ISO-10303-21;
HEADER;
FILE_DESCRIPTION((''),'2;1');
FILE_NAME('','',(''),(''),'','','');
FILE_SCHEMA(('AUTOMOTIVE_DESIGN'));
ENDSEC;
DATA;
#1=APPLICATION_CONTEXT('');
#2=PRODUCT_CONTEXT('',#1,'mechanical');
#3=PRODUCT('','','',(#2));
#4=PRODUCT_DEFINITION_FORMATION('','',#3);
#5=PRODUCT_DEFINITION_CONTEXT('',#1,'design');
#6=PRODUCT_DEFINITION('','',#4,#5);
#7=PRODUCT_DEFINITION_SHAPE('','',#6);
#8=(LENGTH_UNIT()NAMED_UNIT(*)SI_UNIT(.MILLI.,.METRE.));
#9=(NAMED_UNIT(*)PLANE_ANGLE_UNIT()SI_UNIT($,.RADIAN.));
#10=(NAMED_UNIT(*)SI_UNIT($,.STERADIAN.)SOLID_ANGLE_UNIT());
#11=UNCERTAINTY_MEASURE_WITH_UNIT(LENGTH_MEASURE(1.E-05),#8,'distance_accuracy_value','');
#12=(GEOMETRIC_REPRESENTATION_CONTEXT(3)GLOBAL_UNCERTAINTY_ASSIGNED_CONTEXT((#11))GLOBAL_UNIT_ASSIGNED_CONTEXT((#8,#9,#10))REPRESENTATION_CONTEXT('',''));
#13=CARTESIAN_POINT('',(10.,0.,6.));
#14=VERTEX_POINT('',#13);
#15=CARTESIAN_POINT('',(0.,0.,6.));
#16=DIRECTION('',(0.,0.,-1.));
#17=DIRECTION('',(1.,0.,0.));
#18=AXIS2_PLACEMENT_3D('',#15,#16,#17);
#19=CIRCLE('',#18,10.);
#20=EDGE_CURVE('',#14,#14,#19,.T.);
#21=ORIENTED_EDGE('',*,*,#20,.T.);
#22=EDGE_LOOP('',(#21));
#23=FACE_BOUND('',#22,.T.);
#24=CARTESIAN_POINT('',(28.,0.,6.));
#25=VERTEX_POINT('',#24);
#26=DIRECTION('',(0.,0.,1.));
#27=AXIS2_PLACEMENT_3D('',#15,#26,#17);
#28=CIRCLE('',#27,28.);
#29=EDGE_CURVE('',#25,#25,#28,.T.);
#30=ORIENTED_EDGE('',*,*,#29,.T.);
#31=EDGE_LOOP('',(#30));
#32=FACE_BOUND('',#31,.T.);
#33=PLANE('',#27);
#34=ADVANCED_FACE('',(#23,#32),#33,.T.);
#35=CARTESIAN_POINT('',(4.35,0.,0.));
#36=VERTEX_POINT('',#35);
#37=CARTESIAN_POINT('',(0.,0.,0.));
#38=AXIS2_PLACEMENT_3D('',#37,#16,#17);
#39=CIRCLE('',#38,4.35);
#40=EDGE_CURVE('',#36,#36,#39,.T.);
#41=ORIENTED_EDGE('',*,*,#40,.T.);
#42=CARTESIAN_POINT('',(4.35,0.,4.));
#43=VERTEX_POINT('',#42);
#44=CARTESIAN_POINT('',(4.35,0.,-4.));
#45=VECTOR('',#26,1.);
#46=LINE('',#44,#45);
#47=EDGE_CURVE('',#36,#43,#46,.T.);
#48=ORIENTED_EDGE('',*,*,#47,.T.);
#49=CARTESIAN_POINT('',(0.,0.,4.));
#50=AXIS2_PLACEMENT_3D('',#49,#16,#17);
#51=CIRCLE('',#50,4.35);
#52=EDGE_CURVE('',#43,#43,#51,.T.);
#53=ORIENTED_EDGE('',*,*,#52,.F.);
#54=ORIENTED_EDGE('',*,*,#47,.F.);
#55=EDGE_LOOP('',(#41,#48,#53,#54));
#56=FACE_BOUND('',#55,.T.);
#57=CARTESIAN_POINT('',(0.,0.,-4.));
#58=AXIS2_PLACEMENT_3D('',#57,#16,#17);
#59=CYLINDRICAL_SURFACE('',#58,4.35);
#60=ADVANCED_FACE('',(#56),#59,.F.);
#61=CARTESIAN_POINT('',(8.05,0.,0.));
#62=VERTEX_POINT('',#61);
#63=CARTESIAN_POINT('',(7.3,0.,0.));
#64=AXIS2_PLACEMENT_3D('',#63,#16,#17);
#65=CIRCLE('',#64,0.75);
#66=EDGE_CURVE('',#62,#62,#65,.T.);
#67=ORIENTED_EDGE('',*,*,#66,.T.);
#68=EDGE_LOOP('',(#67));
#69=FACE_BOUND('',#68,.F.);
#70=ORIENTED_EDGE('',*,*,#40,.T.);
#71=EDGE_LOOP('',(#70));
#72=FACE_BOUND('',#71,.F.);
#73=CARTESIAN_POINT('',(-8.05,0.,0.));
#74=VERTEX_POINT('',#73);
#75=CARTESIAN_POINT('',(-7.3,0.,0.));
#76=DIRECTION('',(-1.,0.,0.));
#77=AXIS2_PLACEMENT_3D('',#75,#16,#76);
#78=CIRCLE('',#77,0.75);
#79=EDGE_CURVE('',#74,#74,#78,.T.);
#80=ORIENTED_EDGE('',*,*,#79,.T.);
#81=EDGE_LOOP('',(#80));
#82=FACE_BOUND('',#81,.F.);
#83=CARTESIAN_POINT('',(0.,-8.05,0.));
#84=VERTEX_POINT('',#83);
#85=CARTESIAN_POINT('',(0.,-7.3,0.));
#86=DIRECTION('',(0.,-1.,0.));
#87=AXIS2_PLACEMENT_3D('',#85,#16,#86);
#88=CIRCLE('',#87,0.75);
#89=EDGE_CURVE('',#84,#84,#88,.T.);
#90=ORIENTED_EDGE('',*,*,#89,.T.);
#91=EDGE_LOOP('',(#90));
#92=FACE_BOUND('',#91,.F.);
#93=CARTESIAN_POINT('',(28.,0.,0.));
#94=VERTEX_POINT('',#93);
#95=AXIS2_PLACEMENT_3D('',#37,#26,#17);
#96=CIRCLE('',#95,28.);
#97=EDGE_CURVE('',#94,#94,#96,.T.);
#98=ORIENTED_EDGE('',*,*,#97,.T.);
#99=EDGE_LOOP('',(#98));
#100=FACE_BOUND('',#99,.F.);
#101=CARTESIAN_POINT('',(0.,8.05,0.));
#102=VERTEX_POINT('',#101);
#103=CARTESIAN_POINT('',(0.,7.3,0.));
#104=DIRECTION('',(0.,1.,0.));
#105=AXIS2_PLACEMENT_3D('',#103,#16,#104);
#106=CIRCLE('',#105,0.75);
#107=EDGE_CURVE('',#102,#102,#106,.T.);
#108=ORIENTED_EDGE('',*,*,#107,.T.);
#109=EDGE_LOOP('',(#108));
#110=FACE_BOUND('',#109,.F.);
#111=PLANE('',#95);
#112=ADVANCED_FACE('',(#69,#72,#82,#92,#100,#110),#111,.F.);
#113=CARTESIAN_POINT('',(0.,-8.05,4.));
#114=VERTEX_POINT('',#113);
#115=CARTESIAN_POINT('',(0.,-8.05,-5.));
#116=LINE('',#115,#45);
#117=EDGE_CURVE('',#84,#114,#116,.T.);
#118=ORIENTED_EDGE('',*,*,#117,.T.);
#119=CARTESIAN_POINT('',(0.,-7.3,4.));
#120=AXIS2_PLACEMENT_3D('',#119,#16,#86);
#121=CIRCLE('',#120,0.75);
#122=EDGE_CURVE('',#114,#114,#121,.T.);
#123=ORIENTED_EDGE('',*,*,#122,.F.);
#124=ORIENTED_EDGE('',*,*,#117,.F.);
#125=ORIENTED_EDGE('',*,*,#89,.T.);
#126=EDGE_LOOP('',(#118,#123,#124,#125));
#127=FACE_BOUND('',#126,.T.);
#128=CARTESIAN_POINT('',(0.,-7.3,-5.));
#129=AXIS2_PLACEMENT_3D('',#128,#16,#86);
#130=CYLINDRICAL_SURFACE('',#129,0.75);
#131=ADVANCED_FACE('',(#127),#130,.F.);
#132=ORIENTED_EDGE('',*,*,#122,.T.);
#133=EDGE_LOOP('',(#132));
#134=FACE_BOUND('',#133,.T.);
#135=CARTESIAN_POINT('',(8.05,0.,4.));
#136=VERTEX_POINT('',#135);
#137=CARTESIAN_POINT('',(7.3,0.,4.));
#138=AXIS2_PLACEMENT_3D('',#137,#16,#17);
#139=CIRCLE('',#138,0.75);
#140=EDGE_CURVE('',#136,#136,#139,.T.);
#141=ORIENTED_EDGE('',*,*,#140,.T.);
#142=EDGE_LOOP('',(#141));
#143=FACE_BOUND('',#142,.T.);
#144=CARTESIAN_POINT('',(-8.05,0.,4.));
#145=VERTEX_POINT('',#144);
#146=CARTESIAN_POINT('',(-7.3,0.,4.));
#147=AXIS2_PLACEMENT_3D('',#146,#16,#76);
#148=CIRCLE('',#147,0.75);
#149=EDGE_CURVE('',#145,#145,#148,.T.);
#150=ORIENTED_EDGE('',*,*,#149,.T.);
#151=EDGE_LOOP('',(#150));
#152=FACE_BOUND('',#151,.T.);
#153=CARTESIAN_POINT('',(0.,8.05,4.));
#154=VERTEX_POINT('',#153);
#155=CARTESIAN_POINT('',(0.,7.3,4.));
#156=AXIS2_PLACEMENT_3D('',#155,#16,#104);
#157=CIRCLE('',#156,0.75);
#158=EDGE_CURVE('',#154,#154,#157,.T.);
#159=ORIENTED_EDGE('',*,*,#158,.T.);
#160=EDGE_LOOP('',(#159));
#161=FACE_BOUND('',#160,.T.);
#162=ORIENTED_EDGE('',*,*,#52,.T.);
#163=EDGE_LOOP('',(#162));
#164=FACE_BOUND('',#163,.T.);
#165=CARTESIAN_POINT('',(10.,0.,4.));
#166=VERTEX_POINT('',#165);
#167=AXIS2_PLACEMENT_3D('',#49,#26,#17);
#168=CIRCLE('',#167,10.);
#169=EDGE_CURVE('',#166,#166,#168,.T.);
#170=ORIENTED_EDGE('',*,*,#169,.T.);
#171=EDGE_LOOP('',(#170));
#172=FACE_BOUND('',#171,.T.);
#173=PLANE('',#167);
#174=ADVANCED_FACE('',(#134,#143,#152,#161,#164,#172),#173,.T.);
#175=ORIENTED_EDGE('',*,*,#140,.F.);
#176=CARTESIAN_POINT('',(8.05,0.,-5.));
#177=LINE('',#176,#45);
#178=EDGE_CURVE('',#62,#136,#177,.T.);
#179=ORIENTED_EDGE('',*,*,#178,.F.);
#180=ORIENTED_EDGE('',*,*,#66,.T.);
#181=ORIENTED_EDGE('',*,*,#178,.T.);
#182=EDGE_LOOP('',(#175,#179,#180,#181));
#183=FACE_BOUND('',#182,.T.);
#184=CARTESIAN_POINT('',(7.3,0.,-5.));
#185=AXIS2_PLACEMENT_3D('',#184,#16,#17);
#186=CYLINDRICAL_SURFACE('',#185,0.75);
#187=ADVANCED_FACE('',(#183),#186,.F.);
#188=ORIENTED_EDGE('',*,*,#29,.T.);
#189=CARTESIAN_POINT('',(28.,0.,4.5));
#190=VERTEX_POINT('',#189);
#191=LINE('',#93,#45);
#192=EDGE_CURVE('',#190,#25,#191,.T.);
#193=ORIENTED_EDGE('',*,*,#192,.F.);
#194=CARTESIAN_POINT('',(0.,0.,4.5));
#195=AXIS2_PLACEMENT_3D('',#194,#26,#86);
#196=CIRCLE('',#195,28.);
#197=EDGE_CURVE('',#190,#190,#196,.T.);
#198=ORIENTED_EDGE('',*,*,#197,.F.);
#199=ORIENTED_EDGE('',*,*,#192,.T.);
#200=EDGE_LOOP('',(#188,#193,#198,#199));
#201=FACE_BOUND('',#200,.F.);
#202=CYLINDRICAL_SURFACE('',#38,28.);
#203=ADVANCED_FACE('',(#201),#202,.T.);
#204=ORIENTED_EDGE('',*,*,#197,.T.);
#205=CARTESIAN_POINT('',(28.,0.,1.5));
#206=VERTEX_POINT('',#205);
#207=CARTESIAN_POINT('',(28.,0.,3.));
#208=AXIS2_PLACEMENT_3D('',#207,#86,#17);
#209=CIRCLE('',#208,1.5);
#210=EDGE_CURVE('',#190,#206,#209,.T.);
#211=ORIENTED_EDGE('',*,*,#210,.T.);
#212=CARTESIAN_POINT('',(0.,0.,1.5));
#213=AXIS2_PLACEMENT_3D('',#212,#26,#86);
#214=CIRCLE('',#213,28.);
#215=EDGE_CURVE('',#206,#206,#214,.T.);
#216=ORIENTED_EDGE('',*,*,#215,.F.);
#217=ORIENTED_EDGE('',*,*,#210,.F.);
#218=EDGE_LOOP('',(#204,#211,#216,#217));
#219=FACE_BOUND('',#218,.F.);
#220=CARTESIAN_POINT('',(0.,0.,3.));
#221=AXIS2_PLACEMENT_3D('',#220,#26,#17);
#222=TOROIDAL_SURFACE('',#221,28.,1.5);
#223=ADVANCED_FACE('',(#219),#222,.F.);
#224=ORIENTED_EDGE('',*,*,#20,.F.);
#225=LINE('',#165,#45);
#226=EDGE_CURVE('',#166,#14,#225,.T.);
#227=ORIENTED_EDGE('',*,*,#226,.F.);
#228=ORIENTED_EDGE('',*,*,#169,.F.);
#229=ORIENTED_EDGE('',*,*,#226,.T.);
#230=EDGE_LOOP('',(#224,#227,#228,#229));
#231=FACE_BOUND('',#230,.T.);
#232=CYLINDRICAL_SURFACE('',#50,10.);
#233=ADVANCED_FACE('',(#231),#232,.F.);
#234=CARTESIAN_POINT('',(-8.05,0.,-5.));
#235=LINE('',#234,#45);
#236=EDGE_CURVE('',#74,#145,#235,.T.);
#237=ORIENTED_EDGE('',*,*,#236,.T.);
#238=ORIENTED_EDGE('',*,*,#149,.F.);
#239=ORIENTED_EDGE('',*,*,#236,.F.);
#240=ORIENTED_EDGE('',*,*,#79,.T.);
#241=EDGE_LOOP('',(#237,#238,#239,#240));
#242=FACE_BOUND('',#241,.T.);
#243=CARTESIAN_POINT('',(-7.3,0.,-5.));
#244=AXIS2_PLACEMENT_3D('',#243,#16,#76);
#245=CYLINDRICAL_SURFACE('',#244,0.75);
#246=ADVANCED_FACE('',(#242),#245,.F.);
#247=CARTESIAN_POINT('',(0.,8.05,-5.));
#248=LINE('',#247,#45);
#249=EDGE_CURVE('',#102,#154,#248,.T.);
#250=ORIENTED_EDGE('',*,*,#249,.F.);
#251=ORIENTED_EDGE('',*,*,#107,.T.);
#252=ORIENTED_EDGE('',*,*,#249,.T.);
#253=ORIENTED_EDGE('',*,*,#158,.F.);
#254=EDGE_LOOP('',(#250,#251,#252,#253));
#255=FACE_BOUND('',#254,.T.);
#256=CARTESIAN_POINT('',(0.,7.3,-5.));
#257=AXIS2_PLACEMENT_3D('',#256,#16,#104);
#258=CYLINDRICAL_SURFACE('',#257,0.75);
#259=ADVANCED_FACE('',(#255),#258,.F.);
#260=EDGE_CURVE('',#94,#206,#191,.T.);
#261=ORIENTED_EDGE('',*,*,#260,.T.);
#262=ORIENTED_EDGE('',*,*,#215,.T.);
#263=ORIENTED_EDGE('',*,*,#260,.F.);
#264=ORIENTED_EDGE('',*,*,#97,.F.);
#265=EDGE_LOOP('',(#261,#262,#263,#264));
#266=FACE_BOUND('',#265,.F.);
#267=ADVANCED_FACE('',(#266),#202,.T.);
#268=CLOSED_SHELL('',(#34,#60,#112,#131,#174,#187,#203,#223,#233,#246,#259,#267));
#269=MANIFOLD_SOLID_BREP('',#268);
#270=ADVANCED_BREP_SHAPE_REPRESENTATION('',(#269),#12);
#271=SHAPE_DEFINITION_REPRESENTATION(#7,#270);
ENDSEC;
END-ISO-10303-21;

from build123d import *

# Parameters (mm, degrees)
CYLINDER003_R     = 0.75
CYLINDER003_DEPTH = 10
ARRAY_COUNT       = 4
CYLINDER002_R     = 4.35
CYLINDER002_DEPTH = 10
CYLINDER001_R     = 10
CYLINDER001_DEPTH = 10
TORUS_R           = 1.5
CYLINDER_R        = 28
CYLINDER_DEPTH    = 6


with BuildPart() as array:
    # Cylinder003 → Cylinder003 (new body)
    with BuildSketch(Plane(origin=(7.3, 0, -5), x_dir=(1, 0, 0), z_dir=(0, 0, 1))):
        Circle(CYLINDER003_R)
    extrude(amount=CYLINDER003_DEPTH)

    # Array: Array ×4 about axis
    array_axis = Axis((0, 0, 0), (0, 0, 1))


with BuildPart() as array_1:
    add(array.part)
    for i in range(1, ARRAY_COUNT):
        add(array.part.rotate(array_axis, i * 360 / ARRAY_COUNT))


with BuildPart() as cylinder002:
    # Cylinder002 → Cylinder002 (new body)
    with BuildSketch(Plane.XY.offset(-4)):
        Circle(CYLINDER002_R)
    extrude(amount=CYLINDER002_DEPTH)


with BuildPart() as corona_serve:
    # Cylinder001 → Cylinder001 (new body)
    with BuildSketch(Plane.XY.offset(4)):
        Circle(CYLINDER001_R)
    extrude(amount=CYLINDER001_DEPTH)


with BuildPart() as torus:
    # Torus → Torus (revolve)
    with BuildSketch(Plane(origin=(0, 0, 3), x_dir=(1, 0, 0), z_dir=(0, -1, 0))):
        with Locations((28, 0)):
            Circle(TORUS_R)
    revolve(axis=Axis((0, 0, 3), (0, 0, 1)))


with BuildPart() as cut003:
    # Cylinder → Cylinder (new body)
    with BuildSketch(Plane.XY):
        Circle(CYLINDER_R)
    extrude(amount=CYLINDER_DEPTH)

    # Cut: cut Torus
    add(torus.part, mode=Mode.SUBTRACT)

    # Cut001: cut corona_serve
    add(corona_serve.part, mode=Mode.SUBTRACT)

    # Cut002: cut Cylinder002
    add(cylinder002.part, mode=Mode.SUBTRACT)

    # Cut003: cut Array
    add(array_1.part, mode=Mode.SUBTRACT)


solid = cut003.part
